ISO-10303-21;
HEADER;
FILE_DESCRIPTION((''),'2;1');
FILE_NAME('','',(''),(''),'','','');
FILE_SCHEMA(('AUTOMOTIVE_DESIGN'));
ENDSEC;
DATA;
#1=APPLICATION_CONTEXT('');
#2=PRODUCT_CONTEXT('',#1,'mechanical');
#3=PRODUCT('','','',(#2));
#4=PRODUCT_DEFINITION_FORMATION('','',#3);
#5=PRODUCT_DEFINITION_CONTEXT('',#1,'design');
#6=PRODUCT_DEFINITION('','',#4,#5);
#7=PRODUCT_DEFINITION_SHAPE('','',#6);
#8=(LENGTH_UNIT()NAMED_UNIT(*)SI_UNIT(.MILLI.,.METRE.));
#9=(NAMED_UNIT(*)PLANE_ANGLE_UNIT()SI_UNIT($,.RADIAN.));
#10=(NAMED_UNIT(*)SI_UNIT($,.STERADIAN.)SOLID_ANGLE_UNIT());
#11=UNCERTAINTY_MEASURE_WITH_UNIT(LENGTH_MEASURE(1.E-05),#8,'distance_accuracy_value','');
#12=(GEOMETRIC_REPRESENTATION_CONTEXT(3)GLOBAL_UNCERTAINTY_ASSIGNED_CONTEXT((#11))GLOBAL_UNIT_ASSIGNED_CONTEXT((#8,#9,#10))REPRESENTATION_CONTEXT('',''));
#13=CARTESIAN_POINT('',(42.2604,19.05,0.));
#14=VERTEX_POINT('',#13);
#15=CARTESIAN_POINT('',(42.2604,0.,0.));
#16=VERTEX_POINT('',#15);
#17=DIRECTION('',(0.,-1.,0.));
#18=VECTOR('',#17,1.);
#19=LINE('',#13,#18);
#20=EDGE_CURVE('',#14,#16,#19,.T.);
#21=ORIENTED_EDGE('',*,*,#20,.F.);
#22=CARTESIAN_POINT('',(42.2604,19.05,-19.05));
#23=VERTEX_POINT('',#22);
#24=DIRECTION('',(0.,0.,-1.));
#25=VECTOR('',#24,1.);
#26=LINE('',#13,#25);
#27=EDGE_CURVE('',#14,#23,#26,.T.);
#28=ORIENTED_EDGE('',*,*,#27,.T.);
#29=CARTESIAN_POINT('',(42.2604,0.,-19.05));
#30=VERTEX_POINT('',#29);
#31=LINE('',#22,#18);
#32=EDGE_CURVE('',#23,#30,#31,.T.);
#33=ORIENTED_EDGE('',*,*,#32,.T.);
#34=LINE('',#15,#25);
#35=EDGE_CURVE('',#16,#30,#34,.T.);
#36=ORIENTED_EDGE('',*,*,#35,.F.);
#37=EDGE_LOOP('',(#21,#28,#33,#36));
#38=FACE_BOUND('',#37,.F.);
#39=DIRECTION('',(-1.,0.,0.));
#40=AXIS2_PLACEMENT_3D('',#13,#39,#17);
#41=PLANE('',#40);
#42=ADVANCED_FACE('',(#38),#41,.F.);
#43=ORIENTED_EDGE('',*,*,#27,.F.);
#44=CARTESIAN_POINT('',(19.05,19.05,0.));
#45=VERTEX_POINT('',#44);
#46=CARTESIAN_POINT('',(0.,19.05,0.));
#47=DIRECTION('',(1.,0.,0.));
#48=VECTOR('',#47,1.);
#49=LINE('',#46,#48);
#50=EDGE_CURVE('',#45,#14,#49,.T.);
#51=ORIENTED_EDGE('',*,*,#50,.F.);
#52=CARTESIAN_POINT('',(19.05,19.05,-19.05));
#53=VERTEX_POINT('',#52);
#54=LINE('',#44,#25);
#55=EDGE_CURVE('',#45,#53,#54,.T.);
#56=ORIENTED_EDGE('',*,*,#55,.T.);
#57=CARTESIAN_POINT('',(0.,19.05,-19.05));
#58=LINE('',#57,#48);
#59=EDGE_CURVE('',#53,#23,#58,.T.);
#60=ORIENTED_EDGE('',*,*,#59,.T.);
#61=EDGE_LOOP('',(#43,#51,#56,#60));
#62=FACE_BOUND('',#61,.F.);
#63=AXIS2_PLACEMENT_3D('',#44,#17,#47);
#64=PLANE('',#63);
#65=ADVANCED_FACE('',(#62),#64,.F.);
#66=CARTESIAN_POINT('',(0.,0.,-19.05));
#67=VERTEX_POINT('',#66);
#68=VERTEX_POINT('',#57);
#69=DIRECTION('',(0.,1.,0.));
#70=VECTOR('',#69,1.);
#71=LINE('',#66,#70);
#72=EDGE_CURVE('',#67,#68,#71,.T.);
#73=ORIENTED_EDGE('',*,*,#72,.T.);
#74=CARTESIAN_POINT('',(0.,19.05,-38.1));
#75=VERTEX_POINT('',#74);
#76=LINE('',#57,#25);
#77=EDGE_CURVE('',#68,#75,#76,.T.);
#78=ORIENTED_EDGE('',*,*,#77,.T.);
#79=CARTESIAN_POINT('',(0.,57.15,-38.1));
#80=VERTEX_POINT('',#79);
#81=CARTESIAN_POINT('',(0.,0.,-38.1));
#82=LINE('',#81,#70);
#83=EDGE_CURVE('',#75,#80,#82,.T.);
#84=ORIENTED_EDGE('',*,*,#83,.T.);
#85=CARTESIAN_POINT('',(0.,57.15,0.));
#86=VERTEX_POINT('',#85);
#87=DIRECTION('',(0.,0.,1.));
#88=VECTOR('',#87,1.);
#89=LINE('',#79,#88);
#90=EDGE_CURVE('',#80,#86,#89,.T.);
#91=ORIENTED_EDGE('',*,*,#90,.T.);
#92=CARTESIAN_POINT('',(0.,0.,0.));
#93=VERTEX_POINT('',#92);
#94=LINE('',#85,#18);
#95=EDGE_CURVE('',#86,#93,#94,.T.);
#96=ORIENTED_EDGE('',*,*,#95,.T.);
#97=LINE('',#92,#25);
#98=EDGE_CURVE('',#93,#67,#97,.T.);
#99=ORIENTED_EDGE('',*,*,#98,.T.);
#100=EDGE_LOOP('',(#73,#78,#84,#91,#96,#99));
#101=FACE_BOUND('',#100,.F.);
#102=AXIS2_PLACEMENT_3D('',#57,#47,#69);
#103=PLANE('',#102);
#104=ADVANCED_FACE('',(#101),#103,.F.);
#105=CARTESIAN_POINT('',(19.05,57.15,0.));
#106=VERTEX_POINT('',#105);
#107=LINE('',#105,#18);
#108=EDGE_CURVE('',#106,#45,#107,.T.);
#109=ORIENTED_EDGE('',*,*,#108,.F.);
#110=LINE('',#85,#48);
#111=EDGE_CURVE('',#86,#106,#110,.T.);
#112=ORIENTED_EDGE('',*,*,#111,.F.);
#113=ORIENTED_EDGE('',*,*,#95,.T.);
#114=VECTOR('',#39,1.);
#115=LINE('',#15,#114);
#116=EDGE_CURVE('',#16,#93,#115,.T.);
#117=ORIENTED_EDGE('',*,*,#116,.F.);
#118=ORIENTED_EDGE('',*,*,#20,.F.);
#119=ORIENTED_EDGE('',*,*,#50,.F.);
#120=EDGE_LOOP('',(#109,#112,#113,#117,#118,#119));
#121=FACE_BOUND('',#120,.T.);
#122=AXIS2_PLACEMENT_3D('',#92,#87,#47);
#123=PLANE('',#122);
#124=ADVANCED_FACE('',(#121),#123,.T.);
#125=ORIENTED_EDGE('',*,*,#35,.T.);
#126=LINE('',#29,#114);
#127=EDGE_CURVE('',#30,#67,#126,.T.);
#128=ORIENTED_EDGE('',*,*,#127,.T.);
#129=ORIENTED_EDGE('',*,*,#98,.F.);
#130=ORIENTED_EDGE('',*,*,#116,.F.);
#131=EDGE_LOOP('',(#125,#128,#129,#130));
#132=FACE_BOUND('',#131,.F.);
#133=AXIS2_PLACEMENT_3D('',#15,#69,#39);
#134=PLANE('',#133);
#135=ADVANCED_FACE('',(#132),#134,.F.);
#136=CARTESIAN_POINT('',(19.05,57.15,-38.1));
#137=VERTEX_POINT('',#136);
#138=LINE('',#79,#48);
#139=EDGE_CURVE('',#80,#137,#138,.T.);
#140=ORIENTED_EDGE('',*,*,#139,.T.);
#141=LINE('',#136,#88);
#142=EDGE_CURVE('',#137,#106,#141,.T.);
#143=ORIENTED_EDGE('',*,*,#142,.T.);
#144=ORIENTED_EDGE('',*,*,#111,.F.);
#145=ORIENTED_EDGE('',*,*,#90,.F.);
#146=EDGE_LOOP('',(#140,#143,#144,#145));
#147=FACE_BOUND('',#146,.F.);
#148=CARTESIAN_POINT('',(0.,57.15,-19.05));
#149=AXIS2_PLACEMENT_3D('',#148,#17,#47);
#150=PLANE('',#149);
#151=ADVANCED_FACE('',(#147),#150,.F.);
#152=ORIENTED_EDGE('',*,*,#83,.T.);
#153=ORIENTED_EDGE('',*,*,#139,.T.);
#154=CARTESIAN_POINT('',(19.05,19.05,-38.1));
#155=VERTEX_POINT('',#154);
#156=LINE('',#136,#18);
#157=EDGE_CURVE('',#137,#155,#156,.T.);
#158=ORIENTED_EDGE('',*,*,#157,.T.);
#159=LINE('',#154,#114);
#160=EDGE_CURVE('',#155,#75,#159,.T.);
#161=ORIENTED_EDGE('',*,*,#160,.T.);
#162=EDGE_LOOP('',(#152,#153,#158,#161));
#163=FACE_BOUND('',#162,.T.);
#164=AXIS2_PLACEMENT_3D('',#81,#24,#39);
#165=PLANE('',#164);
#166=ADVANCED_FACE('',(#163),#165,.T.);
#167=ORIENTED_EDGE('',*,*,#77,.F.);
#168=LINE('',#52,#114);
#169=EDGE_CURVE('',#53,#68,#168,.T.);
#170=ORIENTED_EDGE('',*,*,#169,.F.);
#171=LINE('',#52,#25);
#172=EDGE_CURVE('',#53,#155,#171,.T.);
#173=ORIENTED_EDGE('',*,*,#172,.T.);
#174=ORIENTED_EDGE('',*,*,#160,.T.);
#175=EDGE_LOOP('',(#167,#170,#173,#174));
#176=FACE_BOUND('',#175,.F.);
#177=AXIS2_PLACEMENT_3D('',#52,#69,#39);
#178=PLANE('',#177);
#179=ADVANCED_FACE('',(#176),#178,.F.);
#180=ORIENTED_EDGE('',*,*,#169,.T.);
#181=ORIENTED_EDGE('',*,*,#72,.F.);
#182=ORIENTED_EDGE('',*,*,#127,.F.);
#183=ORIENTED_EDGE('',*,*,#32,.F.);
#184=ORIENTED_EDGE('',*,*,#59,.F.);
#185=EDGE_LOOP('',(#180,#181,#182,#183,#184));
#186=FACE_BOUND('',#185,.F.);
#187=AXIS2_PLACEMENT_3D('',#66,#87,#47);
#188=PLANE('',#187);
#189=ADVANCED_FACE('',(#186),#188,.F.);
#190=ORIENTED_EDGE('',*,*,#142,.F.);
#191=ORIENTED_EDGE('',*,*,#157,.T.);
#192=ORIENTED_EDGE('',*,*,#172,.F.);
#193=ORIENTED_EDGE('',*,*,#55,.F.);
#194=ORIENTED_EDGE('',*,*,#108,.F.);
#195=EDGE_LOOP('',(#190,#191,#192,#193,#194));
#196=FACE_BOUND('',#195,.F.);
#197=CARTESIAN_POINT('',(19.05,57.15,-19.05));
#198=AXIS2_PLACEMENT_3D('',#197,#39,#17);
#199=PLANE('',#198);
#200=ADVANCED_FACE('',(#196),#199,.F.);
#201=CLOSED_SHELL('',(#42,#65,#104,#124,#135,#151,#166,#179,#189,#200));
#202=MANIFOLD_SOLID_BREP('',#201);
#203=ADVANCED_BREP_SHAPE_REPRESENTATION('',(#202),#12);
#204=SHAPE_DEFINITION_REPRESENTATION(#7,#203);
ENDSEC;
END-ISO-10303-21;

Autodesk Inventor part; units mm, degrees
ref_plane "YZ Plane" through (0, 0, 0) normal (1, 0, 0) x (0, 1, 0)
ref_plane "XZ Plane" through (0, 0, 0) normal (0, 1, 0) x (-1, 0, 0)
ref_plane "XY Plane" through (0, 0, 0) normal (0, 0, 1) x (1, 0, 0)
sketch "Sketch1" plane through (0, 0, 0) normal (0, 0, 1) x (1, 0, 0)
  line L0 (0, 19.05) -> (0, 0)
  line L1 (0, 19.05) -> (42.2604, 19.05)
  line L2 (42.2604, 19.05) -> (42.2604, 0)
  line L3 (42.2604, 0) -> (0, 0)
  line L4 (0, 19.05) -> (0, 57.15)
  line L5 (0, 57.15) -> (19.05, 57.15)
  line L6 (19.05, 57.15) -> (19.05, 19.05)
  line L7 (0, 38.1) -> (19.05, 38.1)
  dimension "d0" = 19.05
  dimension "d1" = 19.05
  dimension "d2" = 38.1
extrude "Extrusion1" add sketch "Sketch1" against normal blind 19.05
sketch "straight 3 cube" plane through (0, 0, 0) normal (0, 0, 1) x (1, 0, 0)
  line L0 (19.05, 19.05) -> (42.2604, 19.05) projected
  line L1 (19.05, 19.05) -> (0, 19.05)
  line L2 (0, 0) -> (0, 57.15) projected
  line L3 (19.05, 19.05) -> (19.05, 38.1)
  line L4 (19.05, 57.15) -> (19.05, 19.05) projected
  line L5 (19.05, 38.1) -> (0, 38.1)
  line L6 (19.05, 19.05) -> (0, 19.05)
  line L7 (19.05, 19.05) -> (0, 19.05)
  line L8 (19.05, 19.05) -> (19.05, 38.1)
  line L9 (0, 38.1) -> (19.05, 38.1)
  line L10 (19.05, 38.1) -> (0, 38.1)
  line L11 (0, 38.1) -> (0, 19.05)
  line L12 (0, 19.05) -> (19.05, 19.05)
  line L13 (19.05, 19.05) -> (19.05, 38.1)
  line L14 (19.05, 19.05) -> (0, 19.05)
sketch "Sketch3" plane through (0, 0, -19.05) normal (0, 0, -1) x (-1, 0, 0)
  line L0 (-19.05, 19.05) -> (-42.2604, 19.05) projected
  line L1 (-19.05, 19.05) -> (0, 19.05)
  line L2 (0, 0) -> (0, 57.15) projected
  line L3 (0, 19.05) -> (0, 57.15)
  line L4 (0, 57.15) -> (-19.05, 57.15) projected
  line L5 (0, 57.15) -> (-19.05, 57.15)
  line L6 (-19.05, 57.15) -> (-19.05, 19.05) projected
  line L7 (-19.05, 57.15) -> (-19.05, 19.05)
extrude "Extrusion2" add sketch "Sketch3" along normal blind 19.05
sketch "Sketch4" plane through (19.05, 19.05, 0) normal (1, 0, 0) x (0, 0, -1)
  point P0 (0, -19.05)
sketch "Sketch5" plane through (0, 0, 0) normal (0, 0, 1) x (1, 0, 0)
  point P0 (0, 0)
equation "\"d1\" = cube"
equation "\"d2\" = 2 * cube"
equation "\"d3\" = cube"
equation "\"d5\" = cube"
equation "\"BendRadius\" = Thickness"
equation "\"BendReliefWidth\" = Thickness"
equation "\"BendReliefDepth\" = 0.5 * Thickness"
equation "\"CornerReliefSize\" = 4 * Thickness"
equation "\"MinimumRemnant\" = 2 * Thickness"
equation "\"TransitionRadius\" = BendRadius"
equation "\"JacobiRadiusSize\" = BendRadius"
equation "\"GapSize\" = Thickness"
equation "\"cube\" = 19.05"
equation "\"Thickness\" = 3.048"
properties part number "IED7_Sun_PuzzleCubeOrange"
